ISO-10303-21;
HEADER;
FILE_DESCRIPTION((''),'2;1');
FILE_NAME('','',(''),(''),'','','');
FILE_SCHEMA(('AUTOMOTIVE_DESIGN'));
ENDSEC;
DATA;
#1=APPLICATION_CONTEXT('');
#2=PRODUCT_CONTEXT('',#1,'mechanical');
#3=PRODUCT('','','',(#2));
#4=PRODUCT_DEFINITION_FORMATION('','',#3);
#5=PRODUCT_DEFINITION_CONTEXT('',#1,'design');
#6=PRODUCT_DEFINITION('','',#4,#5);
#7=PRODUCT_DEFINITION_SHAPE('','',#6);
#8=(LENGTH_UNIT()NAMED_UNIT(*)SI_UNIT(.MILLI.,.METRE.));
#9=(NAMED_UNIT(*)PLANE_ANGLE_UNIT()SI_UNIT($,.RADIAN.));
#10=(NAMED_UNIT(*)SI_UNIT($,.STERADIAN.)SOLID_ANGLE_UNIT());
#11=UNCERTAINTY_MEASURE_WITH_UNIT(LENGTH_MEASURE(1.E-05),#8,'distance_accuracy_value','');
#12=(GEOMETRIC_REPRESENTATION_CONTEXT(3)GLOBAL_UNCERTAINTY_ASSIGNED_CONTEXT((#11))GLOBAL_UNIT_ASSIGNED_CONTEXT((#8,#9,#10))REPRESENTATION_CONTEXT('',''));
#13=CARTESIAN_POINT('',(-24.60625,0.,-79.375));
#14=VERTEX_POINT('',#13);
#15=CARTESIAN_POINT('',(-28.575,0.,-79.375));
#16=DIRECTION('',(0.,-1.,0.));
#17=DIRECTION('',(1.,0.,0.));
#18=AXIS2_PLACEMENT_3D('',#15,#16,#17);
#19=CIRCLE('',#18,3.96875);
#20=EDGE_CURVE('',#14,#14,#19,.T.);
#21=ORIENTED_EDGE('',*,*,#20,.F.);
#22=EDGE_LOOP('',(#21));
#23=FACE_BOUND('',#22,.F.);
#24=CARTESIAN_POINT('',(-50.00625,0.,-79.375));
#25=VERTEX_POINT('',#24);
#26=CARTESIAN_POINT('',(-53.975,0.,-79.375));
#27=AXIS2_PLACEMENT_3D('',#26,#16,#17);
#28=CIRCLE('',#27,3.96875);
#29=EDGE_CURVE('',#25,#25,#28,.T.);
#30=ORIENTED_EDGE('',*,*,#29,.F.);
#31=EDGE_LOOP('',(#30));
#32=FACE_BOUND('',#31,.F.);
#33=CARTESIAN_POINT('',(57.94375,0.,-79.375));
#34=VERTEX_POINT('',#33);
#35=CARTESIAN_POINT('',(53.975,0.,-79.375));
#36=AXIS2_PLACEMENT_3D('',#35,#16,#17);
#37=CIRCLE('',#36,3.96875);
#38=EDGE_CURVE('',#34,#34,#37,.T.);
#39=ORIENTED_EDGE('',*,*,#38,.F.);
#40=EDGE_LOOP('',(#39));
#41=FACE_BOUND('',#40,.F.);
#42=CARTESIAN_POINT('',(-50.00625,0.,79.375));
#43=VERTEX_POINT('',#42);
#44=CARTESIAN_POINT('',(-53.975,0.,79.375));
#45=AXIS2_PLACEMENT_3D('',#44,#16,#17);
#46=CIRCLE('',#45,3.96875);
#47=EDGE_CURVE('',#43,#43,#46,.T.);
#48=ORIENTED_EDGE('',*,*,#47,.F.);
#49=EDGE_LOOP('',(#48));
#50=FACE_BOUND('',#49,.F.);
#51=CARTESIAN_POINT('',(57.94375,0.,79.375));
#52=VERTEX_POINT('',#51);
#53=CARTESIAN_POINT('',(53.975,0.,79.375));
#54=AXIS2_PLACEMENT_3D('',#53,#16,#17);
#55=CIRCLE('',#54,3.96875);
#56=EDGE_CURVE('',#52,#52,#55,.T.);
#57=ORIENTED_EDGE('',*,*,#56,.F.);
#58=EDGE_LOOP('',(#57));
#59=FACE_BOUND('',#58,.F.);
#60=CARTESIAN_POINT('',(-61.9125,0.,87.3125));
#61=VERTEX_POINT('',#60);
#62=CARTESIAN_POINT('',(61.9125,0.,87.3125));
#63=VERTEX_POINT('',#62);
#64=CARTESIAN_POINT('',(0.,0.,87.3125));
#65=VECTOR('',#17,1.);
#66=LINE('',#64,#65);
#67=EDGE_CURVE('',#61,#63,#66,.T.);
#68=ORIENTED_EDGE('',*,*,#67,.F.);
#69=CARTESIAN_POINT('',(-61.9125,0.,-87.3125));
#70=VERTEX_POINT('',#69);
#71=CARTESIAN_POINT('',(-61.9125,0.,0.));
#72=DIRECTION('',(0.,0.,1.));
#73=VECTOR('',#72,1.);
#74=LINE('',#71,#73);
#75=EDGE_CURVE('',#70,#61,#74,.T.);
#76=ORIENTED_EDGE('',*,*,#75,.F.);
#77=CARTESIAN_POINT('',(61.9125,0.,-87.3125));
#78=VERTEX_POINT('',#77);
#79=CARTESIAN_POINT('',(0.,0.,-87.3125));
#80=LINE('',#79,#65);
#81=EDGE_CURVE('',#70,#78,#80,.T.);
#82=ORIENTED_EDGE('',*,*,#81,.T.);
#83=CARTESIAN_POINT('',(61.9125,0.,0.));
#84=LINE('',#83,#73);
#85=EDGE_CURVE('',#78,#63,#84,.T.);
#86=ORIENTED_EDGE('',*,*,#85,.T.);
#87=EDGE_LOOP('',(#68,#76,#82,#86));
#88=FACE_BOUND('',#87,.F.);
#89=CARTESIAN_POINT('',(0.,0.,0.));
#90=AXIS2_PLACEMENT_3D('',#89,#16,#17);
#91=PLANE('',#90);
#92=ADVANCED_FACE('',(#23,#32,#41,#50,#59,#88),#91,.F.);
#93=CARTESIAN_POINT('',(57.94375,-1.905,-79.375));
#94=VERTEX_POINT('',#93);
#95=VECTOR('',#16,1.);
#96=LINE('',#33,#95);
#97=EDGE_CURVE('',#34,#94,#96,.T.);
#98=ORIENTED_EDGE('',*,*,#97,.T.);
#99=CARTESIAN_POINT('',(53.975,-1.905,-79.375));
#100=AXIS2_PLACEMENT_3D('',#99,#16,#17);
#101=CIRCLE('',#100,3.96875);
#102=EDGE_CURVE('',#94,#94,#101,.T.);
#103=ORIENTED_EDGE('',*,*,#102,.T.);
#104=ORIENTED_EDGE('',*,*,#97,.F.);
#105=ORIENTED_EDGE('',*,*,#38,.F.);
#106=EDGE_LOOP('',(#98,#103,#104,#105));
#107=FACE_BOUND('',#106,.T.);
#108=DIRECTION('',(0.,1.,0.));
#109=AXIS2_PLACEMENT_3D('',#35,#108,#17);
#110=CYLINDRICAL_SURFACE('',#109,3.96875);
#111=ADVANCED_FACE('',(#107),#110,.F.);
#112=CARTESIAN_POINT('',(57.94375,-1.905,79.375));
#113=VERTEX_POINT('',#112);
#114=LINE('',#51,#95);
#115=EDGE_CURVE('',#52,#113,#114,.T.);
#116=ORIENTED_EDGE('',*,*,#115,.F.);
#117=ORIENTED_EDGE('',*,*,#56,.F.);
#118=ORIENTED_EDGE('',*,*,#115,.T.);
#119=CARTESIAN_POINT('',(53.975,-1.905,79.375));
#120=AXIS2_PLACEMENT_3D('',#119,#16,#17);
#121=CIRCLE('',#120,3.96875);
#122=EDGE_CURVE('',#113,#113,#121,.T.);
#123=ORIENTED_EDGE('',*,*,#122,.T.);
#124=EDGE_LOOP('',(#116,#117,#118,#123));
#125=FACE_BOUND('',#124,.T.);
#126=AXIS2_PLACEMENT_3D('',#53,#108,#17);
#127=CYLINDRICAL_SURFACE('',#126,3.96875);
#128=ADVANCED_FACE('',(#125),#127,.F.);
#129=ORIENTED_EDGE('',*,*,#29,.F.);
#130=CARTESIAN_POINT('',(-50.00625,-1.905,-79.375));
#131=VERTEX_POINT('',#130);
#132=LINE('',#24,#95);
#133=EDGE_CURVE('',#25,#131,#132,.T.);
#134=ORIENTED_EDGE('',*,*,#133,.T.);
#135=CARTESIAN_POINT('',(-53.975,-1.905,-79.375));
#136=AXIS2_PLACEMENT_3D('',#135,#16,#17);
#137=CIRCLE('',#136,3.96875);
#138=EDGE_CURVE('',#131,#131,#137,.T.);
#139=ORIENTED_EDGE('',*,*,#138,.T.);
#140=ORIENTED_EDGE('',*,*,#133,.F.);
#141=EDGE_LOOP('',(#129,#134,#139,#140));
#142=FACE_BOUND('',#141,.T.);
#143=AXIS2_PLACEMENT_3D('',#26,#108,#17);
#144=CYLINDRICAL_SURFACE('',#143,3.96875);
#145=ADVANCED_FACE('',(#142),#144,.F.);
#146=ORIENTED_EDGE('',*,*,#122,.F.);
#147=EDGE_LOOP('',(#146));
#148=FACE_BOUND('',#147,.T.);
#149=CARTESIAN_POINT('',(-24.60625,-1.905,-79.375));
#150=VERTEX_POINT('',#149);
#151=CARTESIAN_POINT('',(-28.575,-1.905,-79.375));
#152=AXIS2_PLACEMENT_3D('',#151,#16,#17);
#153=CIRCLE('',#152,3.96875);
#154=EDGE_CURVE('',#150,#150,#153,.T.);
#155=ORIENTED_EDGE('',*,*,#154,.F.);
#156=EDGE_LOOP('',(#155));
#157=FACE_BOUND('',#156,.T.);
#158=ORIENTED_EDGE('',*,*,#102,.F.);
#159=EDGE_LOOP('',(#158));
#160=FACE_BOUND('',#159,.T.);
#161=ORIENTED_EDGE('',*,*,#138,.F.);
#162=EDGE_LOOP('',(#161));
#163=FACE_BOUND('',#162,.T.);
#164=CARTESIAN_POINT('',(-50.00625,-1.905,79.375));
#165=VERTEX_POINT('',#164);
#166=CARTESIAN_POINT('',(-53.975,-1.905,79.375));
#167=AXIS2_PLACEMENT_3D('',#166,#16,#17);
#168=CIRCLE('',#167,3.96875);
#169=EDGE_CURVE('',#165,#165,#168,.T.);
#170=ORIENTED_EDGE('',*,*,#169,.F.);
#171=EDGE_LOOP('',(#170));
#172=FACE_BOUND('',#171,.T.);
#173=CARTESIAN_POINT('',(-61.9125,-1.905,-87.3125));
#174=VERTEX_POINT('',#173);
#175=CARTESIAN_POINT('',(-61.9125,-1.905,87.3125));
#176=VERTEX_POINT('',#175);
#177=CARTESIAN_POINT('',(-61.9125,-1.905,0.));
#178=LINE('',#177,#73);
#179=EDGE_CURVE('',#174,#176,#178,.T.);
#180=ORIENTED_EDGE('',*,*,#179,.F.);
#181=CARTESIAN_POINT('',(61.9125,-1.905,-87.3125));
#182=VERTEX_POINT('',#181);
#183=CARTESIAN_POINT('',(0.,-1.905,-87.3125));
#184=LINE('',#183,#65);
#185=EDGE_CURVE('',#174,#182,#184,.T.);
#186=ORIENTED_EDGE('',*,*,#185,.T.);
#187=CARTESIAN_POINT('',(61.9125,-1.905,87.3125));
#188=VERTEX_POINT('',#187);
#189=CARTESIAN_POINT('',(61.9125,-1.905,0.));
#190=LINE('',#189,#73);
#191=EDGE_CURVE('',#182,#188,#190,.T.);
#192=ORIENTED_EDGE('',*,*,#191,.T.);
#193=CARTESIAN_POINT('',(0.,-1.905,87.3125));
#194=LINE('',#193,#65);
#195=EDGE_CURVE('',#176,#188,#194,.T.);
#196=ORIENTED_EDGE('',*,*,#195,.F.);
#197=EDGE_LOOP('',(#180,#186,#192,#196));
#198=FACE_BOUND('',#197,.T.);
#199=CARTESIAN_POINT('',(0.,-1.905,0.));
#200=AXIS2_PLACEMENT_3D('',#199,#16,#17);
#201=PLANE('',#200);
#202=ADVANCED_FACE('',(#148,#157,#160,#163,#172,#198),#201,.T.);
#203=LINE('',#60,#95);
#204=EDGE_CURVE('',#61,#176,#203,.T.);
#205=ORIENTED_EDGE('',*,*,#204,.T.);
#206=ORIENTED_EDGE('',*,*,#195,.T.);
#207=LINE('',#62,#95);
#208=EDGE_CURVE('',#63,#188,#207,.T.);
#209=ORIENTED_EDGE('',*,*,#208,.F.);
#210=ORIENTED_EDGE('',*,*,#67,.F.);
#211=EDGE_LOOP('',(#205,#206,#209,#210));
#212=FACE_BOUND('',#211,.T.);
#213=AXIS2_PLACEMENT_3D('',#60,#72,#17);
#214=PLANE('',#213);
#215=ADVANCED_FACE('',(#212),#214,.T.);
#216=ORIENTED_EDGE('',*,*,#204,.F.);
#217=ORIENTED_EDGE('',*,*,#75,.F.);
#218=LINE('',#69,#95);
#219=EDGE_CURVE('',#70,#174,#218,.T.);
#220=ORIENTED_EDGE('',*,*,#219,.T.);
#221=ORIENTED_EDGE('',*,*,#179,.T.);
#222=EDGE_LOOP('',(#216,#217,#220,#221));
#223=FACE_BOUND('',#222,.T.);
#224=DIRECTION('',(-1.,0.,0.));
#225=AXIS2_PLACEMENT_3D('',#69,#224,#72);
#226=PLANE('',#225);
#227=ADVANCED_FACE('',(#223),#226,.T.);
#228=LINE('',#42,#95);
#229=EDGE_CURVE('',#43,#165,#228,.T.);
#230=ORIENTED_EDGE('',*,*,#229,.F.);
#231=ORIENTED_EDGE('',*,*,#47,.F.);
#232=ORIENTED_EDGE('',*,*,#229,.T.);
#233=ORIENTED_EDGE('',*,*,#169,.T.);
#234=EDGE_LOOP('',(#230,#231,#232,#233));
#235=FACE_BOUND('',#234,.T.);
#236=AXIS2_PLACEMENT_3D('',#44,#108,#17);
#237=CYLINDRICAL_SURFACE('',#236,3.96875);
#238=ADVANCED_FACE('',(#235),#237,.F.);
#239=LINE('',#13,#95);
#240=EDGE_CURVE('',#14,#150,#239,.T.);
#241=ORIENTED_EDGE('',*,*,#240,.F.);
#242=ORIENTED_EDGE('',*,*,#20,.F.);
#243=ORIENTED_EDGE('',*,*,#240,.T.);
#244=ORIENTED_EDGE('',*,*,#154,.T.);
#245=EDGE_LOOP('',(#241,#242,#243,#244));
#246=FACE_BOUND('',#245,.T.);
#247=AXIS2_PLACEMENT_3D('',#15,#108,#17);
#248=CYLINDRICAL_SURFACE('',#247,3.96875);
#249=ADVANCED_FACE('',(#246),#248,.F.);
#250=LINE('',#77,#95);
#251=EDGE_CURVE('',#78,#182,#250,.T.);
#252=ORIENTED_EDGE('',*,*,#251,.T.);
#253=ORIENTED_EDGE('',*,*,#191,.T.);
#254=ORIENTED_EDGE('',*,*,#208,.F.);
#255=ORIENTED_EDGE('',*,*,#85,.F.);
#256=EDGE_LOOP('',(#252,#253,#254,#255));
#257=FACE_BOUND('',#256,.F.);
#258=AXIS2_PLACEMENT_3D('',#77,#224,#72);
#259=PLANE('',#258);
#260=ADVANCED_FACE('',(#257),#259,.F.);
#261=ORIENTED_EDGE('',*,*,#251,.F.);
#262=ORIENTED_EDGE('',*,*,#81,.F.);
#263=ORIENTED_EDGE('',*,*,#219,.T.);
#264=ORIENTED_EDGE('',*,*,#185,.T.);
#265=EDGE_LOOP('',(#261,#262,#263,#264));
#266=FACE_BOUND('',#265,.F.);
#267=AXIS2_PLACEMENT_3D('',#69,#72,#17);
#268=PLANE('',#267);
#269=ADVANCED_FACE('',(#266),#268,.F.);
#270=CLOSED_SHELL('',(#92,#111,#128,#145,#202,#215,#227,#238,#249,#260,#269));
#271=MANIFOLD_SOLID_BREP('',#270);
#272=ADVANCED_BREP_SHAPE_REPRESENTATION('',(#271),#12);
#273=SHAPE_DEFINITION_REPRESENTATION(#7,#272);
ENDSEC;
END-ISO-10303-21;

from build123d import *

# Parameters (mm, degrees)
F0_W     = 123.825
F0_H     = 174.625
F0_R     = 3.96875
F1_DEPTH = 1.905


with BuildPart() as f1:
    # F0 (on Front) → F1 (new body)
    with BuildSketch(Plane.XZ):
        Rectangle(F0_W, F0_H)
        with Locations((-53.975, -79.375)):
            Circle(F0_R, mode=Mode.SUBTRACT)
        with Locations((-28.575, -79.375)):
            Circle(F0_R, mode=Mode.SUBTRACT)
        with Locations((53.975, -79.375)):
            Circle(F0_R, mode=Mode.SUBTRACT)
        with Locations((-53.975, 79.375)):
            Circle(F0_R, mode=Mode.SUBTRACT)
        with Locations((53.975, 79.375)):
            Circle(F0_R, mode=Mode.SUBTRACT)
    extrude(amount=F1_DEPTH)


solid = f1.part
